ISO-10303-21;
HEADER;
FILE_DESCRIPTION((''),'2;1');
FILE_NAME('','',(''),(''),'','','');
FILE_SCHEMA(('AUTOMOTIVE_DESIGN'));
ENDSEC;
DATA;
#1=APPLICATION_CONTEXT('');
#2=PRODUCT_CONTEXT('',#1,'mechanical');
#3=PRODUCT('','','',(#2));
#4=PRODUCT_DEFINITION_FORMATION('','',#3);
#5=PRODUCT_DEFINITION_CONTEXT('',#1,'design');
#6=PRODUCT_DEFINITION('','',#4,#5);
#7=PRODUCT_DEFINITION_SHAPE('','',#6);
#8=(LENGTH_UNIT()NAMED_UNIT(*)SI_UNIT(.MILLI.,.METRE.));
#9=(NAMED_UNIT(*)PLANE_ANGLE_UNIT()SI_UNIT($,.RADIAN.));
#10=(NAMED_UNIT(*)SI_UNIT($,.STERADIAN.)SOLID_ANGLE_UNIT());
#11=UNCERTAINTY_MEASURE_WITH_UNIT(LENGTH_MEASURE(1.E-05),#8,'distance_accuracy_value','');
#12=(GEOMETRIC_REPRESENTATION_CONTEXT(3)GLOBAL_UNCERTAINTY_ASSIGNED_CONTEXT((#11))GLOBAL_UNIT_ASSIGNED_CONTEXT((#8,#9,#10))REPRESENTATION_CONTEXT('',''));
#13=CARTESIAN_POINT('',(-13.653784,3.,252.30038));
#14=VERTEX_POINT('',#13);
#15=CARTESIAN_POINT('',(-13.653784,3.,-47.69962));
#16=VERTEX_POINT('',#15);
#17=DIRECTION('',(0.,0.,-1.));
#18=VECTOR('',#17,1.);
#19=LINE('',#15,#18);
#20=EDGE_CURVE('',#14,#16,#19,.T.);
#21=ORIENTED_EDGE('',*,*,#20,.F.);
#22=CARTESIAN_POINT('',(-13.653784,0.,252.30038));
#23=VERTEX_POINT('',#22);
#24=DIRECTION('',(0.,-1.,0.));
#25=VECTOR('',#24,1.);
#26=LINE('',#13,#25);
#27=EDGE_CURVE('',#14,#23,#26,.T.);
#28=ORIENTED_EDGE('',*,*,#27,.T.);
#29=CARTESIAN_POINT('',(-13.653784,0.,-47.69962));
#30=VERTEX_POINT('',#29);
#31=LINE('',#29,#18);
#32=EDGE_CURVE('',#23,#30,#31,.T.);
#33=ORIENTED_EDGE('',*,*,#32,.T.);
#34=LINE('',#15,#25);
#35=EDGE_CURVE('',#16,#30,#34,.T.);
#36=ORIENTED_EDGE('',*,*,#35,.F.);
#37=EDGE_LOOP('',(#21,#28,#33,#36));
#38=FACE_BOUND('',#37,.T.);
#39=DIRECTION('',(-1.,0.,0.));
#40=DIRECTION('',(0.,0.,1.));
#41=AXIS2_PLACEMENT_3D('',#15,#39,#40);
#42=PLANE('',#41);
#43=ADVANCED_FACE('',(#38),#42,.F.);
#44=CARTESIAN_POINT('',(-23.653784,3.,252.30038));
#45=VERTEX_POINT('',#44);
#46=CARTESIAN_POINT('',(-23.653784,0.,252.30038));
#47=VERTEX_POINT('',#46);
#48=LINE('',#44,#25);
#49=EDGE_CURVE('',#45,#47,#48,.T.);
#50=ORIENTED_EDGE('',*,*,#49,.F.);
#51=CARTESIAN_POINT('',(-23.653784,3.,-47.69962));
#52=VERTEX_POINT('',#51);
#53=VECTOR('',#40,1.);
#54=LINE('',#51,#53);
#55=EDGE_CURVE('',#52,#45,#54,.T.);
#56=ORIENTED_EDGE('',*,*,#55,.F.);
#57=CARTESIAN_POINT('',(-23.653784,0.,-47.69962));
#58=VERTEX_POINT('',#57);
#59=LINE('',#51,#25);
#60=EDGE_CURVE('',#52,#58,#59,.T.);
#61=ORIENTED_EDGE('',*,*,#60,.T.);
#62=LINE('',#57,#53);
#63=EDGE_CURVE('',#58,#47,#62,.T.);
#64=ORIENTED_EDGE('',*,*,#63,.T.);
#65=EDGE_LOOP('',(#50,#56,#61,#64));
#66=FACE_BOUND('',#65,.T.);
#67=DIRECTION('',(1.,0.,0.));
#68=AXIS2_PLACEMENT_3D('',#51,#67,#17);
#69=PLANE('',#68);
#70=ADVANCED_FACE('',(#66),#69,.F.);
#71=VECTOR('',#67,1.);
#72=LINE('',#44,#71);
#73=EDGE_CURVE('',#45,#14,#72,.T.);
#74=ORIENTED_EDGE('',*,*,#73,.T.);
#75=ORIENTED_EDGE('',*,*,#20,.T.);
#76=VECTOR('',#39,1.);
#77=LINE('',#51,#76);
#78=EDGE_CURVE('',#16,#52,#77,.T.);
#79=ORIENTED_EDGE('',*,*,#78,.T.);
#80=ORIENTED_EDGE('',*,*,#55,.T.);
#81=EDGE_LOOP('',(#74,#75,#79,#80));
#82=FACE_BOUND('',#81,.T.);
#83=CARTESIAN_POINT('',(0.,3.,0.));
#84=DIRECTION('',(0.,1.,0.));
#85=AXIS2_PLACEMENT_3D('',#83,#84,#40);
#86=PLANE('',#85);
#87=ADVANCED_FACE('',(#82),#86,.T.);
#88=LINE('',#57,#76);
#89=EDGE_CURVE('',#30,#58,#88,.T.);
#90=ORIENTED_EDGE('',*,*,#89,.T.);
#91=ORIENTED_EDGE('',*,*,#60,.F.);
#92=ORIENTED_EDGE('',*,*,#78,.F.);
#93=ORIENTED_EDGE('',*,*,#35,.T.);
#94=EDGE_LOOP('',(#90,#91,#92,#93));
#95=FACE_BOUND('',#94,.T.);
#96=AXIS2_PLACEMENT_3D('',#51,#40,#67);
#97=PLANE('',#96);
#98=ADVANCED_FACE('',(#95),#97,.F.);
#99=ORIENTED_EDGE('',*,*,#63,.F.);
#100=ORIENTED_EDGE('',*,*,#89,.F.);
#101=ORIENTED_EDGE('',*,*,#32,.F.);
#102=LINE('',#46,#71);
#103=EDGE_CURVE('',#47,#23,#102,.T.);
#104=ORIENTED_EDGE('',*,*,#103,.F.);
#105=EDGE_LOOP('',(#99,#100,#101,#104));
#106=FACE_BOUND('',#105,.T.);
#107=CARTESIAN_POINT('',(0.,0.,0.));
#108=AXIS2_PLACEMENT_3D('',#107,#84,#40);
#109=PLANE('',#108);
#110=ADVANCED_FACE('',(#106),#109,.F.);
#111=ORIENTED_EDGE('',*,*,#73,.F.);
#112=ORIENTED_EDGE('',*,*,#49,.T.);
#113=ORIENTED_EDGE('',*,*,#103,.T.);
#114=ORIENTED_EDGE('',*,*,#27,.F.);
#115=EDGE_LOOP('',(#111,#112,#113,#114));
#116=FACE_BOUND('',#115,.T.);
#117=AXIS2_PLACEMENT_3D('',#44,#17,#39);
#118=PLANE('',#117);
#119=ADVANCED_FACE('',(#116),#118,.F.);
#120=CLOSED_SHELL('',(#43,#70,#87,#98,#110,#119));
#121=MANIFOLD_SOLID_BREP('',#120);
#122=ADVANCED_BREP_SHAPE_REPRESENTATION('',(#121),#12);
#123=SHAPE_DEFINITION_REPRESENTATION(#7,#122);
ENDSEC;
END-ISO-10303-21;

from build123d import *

# Parameters (mm, degrees)
SKETCH_1_W      = 10
SKETCH_1_H      = 300
EXTRUDE_1_DEPTH = 3


with BuildPart() as part:
    # 草图1 → 凸台-拉伸1 (new body)
    with BuildSketch(Plane(origin=(0, 0, 0), x_dir=(1, 0, 0), z_dir=(0, 1, 0))):
        with Locations((-18.653784197, -102.300379935)):
            Rectangle(SKETCH_1_W, SKETCH_1_H)
    extrude(amount=EXTRUDE_1_DEPTH)


solid = part.part
